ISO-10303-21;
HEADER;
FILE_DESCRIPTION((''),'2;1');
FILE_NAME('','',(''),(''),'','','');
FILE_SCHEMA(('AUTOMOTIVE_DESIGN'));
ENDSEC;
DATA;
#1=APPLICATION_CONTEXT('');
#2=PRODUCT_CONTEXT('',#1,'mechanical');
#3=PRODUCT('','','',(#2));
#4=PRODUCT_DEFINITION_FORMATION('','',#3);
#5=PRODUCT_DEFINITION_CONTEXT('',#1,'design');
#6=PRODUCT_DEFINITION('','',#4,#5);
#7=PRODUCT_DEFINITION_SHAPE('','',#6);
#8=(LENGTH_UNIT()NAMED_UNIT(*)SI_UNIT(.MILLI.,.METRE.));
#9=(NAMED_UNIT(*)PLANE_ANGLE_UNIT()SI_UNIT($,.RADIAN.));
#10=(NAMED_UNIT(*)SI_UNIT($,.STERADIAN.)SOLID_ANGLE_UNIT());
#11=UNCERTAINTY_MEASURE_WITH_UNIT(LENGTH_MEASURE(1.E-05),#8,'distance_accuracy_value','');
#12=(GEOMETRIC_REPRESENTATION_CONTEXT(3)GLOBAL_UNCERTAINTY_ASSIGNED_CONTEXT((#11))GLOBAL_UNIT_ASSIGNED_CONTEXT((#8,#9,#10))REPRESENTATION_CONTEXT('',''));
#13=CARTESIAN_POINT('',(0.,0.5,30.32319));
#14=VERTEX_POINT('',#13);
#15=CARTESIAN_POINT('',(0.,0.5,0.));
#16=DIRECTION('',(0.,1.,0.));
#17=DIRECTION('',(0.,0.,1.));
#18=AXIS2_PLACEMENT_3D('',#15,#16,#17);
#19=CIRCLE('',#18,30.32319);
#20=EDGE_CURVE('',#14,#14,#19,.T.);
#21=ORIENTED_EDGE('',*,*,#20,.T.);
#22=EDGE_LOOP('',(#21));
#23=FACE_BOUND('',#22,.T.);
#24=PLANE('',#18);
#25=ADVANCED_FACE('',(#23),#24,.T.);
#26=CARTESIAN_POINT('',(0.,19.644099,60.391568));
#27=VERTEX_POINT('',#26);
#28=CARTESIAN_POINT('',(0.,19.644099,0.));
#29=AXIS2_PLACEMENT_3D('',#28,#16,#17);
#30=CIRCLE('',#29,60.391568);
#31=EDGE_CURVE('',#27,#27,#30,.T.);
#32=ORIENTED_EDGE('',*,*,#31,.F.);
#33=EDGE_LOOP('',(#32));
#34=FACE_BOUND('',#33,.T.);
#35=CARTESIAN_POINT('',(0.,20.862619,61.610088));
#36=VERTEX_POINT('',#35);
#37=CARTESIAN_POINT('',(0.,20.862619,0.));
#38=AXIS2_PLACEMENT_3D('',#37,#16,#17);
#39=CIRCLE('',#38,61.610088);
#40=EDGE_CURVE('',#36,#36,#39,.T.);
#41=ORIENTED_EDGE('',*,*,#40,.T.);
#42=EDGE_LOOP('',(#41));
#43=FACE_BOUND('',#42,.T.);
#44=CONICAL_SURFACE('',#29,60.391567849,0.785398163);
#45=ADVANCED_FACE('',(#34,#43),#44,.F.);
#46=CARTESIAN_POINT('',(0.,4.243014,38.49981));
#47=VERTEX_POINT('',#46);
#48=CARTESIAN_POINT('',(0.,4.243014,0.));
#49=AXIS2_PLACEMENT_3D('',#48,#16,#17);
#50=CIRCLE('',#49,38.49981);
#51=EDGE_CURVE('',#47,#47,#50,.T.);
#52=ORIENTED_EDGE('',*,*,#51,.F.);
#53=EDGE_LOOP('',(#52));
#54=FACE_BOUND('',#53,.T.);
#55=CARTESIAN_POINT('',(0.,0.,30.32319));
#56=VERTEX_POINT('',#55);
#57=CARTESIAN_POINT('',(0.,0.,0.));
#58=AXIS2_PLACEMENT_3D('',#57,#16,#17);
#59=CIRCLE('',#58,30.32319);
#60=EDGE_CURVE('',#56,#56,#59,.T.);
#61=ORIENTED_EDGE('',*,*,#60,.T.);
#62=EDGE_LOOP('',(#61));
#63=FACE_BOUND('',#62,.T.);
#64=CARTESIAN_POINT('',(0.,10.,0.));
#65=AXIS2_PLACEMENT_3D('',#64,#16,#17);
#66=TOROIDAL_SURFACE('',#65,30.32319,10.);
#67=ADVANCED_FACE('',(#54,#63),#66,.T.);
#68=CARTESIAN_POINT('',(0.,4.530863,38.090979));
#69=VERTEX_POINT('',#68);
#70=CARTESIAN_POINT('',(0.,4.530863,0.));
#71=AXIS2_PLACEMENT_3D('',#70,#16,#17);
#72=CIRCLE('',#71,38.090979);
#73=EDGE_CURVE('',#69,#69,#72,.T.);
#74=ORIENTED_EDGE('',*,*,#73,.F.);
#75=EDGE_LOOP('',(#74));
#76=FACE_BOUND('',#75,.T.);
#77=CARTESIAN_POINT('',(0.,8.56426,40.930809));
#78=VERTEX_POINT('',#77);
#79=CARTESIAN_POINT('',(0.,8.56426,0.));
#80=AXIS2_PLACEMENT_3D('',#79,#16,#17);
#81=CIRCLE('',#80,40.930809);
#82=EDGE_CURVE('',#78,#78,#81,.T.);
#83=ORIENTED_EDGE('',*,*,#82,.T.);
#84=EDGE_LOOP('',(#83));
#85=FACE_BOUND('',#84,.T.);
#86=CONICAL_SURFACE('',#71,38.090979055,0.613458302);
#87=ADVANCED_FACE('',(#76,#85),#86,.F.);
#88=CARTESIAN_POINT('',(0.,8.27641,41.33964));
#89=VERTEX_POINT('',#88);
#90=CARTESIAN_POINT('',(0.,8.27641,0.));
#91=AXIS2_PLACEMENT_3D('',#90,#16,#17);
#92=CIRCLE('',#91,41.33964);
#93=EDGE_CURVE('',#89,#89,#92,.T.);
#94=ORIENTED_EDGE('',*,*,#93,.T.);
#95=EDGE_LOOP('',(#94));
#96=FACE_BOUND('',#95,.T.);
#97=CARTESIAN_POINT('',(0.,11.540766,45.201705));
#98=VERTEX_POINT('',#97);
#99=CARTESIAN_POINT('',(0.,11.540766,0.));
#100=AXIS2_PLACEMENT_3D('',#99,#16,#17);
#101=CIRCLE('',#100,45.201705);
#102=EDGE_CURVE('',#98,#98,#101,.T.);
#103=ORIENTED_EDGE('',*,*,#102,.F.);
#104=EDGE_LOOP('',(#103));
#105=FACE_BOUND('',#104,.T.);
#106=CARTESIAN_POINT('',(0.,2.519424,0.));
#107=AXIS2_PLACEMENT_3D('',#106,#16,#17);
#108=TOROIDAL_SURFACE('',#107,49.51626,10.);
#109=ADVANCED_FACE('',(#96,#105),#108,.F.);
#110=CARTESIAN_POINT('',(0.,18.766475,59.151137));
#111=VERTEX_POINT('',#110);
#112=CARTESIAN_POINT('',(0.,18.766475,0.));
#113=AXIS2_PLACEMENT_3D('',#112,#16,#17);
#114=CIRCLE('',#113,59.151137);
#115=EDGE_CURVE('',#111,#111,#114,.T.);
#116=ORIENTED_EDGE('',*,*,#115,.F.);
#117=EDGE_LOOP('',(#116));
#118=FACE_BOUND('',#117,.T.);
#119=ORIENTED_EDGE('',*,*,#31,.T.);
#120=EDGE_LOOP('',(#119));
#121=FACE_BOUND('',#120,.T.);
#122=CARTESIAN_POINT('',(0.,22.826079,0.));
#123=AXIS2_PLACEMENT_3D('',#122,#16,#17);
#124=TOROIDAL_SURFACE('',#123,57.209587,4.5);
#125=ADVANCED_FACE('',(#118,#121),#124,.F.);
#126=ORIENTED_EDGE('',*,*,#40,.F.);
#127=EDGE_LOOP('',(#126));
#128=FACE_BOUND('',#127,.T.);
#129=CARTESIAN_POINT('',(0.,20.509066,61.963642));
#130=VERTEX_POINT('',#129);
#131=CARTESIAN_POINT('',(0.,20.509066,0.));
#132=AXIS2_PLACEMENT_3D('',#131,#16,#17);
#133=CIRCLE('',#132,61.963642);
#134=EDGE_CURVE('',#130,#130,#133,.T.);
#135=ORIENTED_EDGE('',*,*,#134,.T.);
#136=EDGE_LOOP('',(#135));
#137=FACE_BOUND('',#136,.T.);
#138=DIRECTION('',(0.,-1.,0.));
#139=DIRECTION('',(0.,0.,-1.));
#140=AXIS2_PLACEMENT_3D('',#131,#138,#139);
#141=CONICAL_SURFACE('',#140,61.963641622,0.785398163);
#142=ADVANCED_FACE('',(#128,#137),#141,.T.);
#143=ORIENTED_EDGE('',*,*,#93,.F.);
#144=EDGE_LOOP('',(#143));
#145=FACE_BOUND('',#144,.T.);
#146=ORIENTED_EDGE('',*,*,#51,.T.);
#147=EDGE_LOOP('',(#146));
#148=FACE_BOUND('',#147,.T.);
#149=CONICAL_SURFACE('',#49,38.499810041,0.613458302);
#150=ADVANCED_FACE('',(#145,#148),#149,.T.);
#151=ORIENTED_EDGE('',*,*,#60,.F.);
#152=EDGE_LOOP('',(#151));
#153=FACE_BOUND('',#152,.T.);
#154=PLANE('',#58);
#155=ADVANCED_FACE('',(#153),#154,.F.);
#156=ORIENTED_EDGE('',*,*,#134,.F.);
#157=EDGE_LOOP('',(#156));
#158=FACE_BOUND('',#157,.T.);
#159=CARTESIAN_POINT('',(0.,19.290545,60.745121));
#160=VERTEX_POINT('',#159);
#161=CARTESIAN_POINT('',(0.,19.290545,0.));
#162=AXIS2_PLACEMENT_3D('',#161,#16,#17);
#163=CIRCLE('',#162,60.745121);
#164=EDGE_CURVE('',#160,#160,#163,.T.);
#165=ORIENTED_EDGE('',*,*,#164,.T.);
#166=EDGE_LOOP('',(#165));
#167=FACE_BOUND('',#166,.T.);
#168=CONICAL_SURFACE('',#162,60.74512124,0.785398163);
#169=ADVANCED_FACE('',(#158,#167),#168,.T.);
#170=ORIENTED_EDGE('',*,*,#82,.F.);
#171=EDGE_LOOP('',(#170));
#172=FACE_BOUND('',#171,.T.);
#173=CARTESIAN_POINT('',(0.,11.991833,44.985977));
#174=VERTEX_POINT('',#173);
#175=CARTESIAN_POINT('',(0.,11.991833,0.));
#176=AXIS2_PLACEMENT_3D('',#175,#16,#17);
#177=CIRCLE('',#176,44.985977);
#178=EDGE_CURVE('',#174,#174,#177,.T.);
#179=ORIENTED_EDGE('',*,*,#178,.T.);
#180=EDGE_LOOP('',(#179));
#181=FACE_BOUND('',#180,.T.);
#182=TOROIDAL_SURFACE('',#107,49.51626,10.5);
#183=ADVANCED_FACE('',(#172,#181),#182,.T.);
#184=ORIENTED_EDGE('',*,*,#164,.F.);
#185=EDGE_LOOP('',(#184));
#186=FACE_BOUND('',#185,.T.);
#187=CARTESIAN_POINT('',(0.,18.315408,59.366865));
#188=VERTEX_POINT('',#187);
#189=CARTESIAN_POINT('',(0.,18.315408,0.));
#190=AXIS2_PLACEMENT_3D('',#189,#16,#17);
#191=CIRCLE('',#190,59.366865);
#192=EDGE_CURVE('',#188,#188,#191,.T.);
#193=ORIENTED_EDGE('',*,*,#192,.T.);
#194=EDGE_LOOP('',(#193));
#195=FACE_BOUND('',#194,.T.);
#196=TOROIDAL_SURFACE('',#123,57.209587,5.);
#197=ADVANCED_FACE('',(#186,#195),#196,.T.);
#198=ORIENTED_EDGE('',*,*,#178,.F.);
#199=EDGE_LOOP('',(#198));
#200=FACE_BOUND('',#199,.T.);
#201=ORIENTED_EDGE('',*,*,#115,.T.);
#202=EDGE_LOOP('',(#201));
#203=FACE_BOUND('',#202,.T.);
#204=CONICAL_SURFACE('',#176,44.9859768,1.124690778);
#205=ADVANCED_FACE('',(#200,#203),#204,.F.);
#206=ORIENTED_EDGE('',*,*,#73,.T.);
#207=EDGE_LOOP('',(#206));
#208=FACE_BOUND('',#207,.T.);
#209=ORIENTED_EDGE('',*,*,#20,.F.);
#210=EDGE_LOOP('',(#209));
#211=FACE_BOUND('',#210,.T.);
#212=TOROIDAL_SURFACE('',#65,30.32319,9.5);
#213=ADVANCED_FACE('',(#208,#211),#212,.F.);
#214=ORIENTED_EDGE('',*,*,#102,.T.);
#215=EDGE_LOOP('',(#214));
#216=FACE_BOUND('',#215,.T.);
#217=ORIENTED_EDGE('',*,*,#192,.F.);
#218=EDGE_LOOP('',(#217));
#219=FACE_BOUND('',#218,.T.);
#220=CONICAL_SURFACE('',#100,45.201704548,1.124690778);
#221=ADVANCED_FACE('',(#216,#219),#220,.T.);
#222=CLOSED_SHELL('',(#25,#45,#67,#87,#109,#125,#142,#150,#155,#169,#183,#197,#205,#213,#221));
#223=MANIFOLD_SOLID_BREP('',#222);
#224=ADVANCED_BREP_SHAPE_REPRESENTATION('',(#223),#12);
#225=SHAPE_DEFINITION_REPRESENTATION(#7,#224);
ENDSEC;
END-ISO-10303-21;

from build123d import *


with BuildPart() as part:
    # Sketch1 → Revolve-Thin2 (revolve)
    with BuildSketch(Plane.XY, mode=Mode.PRIVATE) as revolve_thin2_sk:
        with BuildLine():
            Line((0, 0), (-30.323190326, 0))
            ThreePointArc((-30.323190326, 0), (-34.9291722, 1.123912406), (-38.499810041, 4.243013806))
            Line((-38.499810041, 4.243013806), (-41.339639807, 8.276410321))
            ThreePointArc((-41.339639807, 8.276410321), (-43.060923254, 10.156742614), (-45.201704548, 11.540766343))
            Line((-45.201704548, 11.540766343), (-59.366864821, 18.315408212))
            ThreePointArc((-59.366864821, 18.315408212), (-60.097449611, 18.744382189), (-60.74512124, 19.290545415))
            Line((-60.74512124, 19.290545415), (-61.963641622, 20.509065797))
            Line((-61.963641622, 20.509065797), (-61.610088232, 20.862619188))
            Line((-61.610088232, 20.862619188), (-60.391567849, 19.644098805))
            ThreePointArc((-60.391567849, 19.644098805), (-59.808663383, 19.152551902), (-59.151137072, 18.766475323))
            Line((-59.151137072, 18.766475323), (-44.9859768, 11.991833454))
            ThreePointArc((-44.9859768, 11.991833454), (-42.73815644, 10.538608538), (-40.930808821, 8.56425963))
            Line((-40.930808821, 8.56425963), (-38.090979055, 4.530863116))
            ThreePointArc((-38.090979055, 4.530863116), (-34.698873107, 1.567716786), (-30.323190326, 0.5))
            Line((-30.323190326, 0.5), (0, 0.5))
            Line((0, 0.5), (0, 0))
        make_face()
    revolve(revolve_thin2_sk.sketch.rotate(Axis((0, 28.049813209, 0), (0, -1, 0)), 270), axis=Axis((0, 28.049813209, 0), (0, -1, 0)))


solid = part.part
